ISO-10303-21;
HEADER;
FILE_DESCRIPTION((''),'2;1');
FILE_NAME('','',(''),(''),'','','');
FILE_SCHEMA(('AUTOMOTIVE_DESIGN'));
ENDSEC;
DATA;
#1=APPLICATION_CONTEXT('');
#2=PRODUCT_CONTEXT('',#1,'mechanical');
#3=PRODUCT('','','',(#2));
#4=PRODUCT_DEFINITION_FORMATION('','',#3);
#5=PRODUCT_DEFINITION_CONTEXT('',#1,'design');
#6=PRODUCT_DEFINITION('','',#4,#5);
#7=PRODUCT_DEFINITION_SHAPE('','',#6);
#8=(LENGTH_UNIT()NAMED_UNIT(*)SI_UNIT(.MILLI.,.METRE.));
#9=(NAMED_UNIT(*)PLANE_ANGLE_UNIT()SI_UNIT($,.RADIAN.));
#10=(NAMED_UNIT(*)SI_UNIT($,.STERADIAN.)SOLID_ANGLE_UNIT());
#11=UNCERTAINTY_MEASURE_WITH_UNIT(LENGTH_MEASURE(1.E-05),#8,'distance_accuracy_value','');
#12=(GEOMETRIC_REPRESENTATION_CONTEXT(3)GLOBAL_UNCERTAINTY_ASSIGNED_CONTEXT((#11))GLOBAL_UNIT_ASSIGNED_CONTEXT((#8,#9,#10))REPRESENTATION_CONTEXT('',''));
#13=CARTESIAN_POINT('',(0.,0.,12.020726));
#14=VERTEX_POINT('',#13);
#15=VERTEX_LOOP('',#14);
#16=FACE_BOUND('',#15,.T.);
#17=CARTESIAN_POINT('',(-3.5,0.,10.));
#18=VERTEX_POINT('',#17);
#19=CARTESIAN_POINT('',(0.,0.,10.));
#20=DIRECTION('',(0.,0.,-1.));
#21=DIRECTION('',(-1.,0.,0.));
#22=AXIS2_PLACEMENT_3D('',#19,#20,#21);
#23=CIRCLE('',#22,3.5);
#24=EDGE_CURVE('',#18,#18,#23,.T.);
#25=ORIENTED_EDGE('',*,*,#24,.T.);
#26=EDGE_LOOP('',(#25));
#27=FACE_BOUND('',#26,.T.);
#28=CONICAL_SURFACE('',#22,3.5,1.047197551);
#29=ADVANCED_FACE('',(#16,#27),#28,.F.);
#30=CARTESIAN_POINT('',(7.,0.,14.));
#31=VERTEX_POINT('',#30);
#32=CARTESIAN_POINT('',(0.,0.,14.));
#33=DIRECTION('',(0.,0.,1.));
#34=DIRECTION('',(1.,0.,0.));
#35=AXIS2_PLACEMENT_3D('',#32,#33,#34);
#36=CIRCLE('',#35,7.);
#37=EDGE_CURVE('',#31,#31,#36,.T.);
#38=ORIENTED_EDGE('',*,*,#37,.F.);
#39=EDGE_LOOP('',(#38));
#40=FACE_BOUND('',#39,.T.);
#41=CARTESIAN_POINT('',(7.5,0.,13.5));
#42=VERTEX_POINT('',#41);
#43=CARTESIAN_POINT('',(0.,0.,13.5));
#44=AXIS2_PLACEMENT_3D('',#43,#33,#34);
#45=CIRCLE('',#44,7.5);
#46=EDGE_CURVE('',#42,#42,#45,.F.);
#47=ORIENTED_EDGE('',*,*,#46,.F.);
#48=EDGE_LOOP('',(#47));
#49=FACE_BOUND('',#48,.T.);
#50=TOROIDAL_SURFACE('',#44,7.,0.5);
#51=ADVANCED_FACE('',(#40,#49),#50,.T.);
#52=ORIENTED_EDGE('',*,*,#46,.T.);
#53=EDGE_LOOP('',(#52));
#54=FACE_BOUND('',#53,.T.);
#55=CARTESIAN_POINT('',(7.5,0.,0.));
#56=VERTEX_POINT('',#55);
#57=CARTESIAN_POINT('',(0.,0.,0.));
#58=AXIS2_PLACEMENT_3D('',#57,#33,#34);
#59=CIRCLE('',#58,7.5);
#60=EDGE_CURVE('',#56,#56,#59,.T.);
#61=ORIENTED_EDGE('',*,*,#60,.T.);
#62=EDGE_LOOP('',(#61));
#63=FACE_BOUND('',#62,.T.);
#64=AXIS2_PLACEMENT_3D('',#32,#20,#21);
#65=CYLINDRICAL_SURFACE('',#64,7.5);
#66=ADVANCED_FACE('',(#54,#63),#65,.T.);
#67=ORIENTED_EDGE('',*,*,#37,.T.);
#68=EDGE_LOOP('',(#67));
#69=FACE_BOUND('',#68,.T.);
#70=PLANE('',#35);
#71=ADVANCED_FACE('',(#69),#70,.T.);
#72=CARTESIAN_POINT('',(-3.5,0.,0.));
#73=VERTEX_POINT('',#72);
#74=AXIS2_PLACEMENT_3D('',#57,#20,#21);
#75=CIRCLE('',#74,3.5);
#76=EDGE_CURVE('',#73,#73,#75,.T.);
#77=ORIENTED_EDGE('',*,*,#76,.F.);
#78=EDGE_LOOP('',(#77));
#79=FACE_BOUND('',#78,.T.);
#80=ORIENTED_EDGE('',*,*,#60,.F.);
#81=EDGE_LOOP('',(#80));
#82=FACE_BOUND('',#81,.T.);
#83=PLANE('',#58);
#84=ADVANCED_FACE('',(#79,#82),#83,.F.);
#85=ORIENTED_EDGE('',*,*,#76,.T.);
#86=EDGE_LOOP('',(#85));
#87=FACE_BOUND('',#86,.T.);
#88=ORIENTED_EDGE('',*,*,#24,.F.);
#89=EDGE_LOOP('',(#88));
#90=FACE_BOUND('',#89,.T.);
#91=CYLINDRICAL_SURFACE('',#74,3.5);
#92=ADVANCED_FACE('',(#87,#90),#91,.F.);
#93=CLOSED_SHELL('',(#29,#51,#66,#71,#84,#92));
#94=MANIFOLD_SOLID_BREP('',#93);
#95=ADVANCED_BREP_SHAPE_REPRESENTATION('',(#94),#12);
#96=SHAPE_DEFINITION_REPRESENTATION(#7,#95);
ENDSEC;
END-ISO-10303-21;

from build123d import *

# Parameters (mm, degrees)
SKETCH1_R                 = 7.5
BOSS_EXTRUDE1_DEPTH       = 14
M8X1_0_TAPPED_HOLE1_D     = 7
M8X1_0_TAPPED_HOLE1_DEPTH = 10
M8X1_0_TAPPED_HOLE1_TIP   = 2.020725942
FILLET1_R                 = 0.5


with BuildPart() as part:
    # Sketch1 → Boss-Extrude1 (new body)
    with BuildSketch(Plane.XY):
        Circle(SKETCH1_R)
    extrude(amount=BOSS_EXTRUDE1_DEPTH)

    # M8x1.0 Tapped Hole1
    with Locations(Plane(origin=(0, 0, 0), x_dir=(-1, 0, 0), z_dir=(0, 0, -1))):
        with Locations((0, 0)):
            Hole(M8X1_0_TAPPED_HOLE1_D / 2, depth=M8X1_0_TAPPED_HOLE1_DEPTH)
            with Locations((0, 0, -(M8X1_0_TAPPED_HOLE1_DEPTH + M8X1_0_TAPPED_HOLE1_TIP / 2))):  # 120° drill point
                Cone(0, M8X1_0_TAPPED_HOLE1_D / 2, M8X1_0_TAPPED_HOLE1_TIP, mode=Mode.SUBTRACT)

    # Fillet1
    fillet1_edges = [part.edges().sort_by_distance(p)[0] for p in [
        (-7.5, 0, 14),
    ]]
    fillet(fillet1_edges, radius=FILLET1_R)


solid = part.part
